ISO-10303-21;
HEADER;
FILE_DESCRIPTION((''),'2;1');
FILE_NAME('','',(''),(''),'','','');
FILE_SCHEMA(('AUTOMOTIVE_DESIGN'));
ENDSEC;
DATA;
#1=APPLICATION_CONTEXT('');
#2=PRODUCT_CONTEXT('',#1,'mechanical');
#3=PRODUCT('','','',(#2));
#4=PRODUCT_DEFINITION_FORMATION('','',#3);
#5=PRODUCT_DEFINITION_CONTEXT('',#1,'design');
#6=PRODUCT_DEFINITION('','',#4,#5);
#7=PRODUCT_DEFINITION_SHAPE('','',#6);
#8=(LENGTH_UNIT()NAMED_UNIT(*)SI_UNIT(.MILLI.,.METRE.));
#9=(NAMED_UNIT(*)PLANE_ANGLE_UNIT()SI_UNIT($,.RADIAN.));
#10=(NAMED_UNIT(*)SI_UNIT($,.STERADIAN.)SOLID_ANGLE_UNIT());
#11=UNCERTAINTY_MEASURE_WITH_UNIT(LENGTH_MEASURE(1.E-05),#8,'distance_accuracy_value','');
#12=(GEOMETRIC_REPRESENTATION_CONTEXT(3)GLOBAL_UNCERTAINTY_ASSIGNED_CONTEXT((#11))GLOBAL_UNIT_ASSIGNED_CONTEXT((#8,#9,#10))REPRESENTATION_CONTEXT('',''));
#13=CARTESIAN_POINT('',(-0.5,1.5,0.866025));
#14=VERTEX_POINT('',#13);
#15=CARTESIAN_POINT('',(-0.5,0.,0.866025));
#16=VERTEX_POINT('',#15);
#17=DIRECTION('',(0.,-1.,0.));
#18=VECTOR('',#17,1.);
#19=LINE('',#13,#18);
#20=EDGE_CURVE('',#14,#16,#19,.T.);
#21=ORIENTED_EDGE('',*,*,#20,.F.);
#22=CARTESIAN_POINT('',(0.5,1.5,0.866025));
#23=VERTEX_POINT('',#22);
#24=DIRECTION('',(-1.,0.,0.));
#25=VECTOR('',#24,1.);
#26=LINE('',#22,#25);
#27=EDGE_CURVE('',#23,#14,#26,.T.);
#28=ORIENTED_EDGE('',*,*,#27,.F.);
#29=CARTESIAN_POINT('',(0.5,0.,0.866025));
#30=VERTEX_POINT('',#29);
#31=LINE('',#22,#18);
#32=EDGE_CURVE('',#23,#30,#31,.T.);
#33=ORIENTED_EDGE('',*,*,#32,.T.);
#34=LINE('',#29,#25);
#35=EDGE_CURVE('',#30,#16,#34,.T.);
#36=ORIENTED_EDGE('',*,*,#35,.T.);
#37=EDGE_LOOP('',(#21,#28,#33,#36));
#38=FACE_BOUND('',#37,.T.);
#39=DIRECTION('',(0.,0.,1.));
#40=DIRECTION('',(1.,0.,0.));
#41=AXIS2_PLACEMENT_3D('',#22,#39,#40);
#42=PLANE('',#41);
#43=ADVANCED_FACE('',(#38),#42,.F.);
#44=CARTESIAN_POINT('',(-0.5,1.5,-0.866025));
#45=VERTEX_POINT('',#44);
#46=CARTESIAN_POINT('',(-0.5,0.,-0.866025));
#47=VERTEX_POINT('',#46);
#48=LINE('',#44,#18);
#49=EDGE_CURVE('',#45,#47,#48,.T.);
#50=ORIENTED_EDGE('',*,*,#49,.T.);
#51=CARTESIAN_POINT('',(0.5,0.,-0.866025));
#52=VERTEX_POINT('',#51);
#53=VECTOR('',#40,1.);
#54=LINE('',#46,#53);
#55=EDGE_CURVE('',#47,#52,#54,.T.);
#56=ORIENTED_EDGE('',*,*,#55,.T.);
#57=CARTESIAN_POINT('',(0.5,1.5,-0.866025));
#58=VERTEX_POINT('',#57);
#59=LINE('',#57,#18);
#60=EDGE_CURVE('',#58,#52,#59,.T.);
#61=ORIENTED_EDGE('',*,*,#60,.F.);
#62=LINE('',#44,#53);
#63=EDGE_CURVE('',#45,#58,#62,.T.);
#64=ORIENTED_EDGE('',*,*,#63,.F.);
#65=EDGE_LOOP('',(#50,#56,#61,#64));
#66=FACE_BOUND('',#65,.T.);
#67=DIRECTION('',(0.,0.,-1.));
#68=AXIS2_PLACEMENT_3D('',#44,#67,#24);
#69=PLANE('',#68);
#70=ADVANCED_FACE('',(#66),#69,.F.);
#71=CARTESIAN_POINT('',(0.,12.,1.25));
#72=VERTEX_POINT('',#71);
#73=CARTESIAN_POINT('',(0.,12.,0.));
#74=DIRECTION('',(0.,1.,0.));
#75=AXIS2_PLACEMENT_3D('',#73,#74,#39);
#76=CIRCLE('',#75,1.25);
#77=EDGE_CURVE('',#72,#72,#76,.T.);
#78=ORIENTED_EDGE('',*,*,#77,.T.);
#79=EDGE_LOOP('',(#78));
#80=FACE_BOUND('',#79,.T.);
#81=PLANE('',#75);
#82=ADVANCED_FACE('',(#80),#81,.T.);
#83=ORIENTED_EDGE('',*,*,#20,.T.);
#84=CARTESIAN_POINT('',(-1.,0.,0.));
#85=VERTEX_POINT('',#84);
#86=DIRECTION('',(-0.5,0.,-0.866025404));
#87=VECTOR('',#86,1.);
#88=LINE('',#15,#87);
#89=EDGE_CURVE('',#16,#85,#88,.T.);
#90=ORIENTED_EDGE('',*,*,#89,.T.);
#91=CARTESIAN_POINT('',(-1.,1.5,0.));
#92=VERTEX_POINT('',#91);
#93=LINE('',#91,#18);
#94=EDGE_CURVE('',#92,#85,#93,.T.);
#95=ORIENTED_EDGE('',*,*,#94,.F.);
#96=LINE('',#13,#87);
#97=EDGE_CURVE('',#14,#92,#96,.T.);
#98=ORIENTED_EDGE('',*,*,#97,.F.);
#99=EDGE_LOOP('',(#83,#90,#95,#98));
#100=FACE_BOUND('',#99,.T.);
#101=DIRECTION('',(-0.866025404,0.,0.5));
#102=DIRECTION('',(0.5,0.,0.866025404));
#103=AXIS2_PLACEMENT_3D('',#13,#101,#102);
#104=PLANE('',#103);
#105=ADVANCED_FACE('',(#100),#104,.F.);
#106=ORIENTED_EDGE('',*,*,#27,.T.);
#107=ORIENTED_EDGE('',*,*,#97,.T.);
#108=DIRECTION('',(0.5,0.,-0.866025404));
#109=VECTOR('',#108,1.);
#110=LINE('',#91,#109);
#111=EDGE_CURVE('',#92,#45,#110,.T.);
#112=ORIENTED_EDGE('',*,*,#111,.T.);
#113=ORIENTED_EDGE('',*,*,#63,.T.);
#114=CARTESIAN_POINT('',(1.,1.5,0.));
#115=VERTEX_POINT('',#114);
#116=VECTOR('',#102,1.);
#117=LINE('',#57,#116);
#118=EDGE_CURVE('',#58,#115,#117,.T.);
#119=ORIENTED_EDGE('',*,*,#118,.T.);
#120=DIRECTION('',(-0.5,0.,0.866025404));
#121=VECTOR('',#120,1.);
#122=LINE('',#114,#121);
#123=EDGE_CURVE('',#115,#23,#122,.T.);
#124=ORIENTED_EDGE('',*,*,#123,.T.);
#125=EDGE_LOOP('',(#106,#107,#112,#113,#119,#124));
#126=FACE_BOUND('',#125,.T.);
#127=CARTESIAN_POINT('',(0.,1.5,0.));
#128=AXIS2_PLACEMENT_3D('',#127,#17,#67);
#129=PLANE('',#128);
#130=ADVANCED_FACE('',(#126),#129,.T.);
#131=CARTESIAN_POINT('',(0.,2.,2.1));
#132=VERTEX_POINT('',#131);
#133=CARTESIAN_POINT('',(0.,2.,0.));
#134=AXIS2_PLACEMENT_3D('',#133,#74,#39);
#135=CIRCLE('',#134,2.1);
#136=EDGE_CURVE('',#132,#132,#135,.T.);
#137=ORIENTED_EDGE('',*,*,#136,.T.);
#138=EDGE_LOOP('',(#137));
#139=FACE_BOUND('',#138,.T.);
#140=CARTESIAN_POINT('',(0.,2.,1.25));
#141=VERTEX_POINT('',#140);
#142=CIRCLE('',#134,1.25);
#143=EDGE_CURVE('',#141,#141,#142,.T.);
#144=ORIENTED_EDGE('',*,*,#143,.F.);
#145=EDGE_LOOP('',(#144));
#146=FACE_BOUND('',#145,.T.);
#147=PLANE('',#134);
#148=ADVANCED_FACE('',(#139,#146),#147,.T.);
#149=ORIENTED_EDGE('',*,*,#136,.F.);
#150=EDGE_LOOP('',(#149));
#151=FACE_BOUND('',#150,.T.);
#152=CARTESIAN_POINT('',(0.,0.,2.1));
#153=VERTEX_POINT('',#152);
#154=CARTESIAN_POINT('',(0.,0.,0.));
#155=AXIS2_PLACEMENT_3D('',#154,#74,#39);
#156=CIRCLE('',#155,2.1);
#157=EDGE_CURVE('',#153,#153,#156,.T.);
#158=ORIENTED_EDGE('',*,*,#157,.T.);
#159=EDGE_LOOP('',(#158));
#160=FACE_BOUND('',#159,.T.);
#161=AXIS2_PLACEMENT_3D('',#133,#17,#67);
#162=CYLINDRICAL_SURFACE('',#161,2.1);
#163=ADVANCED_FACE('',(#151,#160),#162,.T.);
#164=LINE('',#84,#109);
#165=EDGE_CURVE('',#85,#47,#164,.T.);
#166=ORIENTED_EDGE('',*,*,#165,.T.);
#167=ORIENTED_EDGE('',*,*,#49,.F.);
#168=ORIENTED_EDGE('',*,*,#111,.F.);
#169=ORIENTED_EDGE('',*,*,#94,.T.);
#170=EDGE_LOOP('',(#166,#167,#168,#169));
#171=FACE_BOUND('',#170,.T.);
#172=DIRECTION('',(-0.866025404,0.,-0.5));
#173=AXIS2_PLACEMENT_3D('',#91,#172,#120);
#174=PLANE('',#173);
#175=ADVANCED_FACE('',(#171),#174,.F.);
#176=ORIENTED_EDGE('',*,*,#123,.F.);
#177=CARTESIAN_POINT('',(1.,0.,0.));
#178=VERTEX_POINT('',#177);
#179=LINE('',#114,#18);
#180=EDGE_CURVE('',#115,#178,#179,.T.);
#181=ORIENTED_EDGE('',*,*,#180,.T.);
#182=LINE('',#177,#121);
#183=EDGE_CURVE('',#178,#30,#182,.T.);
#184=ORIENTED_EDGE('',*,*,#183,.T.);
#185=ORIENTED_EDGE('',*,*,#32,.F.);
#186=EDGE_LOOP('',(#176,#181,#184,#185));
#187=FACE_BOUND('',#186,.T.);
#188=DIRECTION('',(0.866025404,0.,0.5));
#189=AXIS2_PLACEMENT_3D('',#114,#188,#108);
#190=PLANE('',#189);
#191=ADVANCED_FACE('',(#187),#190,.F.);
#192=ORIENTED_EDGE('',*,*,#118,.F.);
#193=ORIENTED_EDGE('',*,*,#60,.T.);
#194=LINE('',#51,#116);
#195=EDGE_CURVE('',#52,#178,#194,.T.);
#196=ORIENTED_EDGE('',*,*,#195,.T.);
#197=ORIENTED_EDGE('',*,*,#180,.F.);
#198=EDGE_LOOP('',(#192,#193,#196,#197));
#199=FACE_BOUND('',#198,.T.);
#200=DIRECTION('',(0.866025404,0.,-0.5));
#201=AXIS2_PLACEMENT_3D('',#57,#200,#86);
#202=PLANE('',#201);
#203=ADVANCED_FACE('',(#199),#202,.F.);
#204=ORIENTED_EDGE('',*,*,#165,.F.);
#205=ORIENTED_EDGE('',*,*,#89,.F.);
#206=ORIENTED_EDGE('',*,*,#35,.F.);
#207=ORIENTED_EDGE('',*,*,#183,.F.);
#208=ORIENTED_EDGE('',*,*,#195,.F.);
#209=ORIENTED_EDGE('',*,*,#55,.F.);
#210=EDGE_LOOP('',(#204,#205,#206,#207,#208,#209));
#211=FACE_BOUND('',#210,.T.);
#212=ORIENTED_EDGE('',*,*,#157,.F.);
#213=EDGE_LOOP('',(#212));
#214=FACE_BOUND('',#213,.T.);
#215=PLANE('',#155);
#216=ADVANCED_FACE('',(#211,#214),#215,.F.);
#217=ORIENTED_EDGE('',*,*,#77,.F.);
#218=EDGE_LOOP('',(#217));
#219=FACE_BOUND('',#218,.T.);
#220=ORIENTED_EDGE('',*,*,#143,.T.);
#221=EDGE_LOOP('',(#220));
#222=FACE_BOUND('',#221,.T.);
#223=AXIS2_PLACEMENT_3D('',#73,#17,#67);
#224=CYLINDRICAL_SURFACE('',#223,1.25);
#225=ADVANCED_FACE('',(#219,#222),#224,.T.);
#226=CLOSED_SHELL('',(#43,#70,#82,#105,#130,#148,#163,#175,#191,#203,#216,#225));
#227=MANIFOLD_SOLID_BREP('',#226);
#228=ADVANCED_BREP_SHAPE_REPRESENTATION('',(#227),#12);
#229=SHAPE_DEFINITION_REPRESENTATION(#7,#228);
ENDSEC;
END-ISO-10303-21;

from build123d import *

# Parameters (mm, degrees)
SKETCH_1_R          = 2.1
EXTRUDE_1_DEPTH     = 2
SKETCH_2_R          = 1.25
EXTRUDE_2_DEPTH     = 10
CUT_EXTRUDE_1_DEPTH = 1.5


with BuildPart() as part:
    # 草图1 → 凸台-拉伸1 (new body)
    with BuildSketch(Plane(origin=(0, 0, 0), x_dir=(1, 0, 0), z_dir=(0, 1, 0))):
        with Locations(Location((0, 0, 0), (0, 0, 270))):
            Circle(SKETCH_1_R)
    extrude(amount=EXTRUDE_1_DEPTH)

    # 草图2 → 凸台-拉伸2 (add)
    with BuildSketch(Plane(origin=(0, 2, 0), x_dir=(1, 0, 0), z_dir=(0, 1, 0))):
        with Locations(Location((0, 0, 0), (0, 0, 270))):
            Circle(SKETCH_2_R)
    extrude(amount=EXTRUDE_2_DEPTH)

    # 草图3 → 切除-拉伸1 (cut)
    with BuildSketch(Plane.XZ):
        Polygon((1, 0), (0.5, 0.866025404), (-0.5, 0.866025404), (-1, 0), (-0.5, -0.866025404), (0.5, -0.866025404), align=None)
    extrude(amount=-CUT_EXTRUDE_1_DEPTH, mode=Mode.SUBTRACT)


solid = part.part
